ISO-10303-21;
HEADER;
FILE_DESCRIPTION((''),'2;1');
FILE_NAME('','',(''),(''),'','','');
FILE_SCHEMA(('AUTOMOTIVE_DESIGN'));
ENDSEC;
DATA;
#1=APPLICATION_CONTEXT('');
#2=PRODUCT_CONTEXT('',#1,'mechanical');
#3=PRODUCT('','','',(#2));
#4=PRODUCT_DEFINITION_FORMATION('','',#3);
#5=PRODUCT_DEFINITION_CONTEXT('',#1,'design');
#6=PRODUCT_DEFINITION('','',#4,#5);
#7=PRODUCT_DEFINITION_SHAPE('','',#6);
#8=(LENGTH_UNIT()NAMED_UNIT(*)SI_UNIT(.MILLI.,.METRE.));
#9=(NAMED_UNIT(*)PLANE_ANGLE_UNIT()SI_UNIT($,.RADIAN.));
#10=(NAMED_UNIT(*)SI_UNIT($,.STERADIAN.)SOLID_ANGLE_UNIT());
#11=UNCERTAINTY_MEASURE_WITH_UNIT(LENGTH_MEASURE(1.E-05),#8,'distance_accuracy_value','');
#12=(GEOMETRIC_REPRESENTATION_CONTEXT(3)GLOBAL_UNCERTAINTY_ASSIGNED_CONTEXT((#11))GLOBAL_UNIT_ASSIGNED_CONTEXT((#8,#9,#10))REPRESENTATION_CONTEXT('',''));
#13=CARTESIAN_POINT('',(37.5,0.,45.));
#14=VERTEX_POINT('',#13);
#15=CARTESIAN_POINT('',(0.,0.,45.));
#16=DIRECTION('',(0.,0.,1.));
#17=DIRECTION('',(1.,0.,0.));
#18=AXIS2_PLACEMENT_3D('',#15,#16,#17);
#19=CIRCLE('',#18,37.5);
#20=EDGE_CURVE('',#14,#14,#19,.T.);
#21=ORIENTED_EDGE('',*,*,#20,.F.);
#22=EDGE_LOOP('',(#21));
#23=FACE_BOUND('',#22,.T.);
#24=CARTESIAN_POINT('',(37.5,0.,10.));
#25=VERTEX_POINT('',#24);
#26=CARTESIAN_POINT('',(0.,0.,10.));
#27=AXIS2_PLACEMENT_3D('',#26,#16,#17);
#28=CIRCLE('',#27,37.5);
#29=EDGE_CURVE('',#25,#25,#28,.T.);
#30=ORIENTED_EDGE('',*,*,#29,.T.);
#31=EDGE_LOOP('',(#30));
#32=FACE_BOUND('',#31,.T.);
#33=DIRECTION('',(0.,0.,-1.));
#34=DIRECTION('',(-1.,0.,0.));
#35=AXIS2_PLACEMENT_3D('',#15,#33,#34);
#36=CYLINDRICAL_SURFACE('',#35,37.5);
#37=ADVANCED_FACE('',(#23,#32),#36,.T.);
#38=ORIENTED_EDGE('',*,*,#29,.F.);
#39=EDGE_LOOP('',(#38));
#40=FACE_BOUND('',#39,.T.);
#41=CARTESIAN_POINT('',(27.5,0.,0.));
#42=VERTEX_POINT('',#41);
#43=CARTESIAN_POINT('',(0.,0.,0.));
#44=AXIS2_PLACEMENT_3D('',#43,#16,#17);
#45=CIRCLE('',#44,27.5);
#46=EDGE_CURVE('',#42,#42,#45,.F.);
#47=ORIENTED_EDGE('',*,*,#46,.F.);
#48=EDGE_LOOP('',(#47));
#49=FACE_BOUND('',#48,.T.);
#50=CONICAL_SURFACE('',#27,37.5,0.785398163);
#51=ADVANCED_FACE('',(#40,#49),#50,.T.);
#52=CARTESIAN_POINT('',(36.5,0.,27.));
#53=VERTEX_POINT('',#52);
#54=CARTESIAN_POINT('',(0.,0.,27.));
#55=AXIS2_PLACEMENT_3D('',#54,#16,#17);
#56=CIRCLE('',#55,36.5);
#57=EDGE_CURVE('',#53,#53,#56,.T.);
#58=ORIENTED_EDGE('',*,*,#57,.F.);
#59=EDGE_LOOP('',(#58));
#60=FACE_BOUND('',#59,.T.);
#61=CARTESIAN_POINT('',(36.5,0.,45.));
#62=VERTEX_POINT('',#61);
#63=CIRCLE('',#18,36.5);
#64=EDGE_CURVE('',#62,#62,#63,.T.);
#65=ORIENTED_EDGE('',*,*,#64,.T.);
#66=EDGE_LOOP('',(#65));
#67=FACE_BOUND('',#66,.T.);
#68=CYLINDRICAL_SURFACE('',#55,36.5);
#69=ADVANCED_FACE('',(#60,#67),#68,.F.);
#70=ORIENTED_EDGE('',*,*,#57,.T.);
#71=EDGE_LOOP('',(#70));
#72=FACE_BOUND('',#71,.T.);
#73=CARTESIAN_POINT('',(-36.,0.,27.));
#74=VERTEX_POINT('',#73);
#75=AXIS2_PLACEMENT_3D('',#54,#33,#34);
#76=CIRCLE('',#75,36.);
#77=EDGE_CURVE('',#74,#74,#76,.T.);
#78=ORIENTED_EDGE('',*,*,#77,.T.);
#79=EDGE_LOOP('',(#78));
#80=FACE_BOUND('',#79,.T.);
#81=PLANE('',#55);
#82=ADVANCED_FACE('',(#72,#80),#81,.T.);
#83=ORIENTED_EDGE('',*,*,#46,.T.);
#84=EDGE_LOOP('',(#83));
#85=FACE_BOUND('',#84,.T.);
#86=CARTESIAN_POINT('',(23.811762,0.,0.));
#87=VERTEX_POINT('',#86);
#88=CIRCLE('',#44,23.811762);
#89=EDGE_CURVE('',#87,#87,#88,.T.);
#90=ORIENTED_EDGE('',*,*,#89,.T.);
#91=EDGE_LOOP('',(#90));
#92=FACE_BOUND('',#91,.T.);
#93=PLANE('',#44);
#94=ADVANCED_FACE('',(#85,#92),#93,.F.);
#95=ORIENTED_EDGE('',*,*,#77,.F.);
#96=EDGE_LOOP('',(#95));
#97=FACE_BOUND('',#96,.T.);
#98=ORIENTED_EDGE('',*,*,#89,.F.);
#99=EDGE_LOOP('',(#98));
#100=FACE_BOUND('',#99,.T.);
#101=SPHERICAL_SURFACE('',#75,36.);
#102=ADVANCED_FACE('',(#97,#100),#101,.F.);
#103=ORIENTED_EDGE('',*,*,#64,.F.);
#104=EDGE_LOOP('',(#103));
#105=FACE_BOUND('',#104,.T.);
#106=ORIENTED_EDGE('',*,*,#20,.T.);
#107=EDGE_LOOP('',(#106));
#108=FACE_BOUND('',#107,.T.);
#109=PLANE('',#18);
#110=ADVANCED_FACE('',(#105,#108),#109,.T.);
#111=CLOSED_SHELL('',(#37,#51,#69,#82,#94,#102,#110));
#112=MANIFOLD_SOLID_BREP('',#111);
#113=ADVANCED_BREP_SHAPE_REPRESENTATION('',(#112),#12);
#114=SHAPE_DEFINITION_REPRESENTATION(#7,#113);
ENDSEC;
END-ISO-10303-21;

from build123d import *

# Parameters (mm, degrees)
SKETCH1_R           = 37.5
BOSS_EXTRUDE1_DEPTH = 45
SKETCH5_R           = 36.5
CUT_EXTRUDE2_DEPTH  = 18
CUT_REVOLVE3_ANGLE  = 180
CHAMFER1_SIZE       = 10


with BuildPart() as part:
    # Sketch1 → Boss-Extrude1 (new body)
    with BuildSketch(Plane.XY):
        Circle(SKETCH1_R)
    extrude(amount=BOSS_EXTRUDE1_DEPTH)

    # Sketch5 → Cut-Extrude2 (cut)
    with BuildSketch(Plane.XY.offset(45)):
        Circle(SKETCH5_R)
    extrude(amount=-CUT_EXTRUDE2_DEPTH, mode=Mode.SUBTRACT)

    # Sketch7 → Cut-Revolve3 (revolve, cut)
    with BuildSketch(Plane.XY.offset(27)):
        with BuildLine():
            Line((-36, 0), (36, 0))
            ThreePointArc((36, 0), (0, 36), (-36, 0))
        make_face()
    revolve(axis=Axis((-36, 0, 27), (-1, 0, 0)), revolution_arc=CUT_REVOLVE3_ANGLE, mode=Mode.SUBTRACT)

    # Chamfer1
    chamfer1_edges = [part.edges().sort_by_distance(p)[0] for p in [
        (-37.5, 0, 0),
    ]]
    chamfer(chamfer1_edges, length=CHAMFER1_SIZE)


solid = part.part
